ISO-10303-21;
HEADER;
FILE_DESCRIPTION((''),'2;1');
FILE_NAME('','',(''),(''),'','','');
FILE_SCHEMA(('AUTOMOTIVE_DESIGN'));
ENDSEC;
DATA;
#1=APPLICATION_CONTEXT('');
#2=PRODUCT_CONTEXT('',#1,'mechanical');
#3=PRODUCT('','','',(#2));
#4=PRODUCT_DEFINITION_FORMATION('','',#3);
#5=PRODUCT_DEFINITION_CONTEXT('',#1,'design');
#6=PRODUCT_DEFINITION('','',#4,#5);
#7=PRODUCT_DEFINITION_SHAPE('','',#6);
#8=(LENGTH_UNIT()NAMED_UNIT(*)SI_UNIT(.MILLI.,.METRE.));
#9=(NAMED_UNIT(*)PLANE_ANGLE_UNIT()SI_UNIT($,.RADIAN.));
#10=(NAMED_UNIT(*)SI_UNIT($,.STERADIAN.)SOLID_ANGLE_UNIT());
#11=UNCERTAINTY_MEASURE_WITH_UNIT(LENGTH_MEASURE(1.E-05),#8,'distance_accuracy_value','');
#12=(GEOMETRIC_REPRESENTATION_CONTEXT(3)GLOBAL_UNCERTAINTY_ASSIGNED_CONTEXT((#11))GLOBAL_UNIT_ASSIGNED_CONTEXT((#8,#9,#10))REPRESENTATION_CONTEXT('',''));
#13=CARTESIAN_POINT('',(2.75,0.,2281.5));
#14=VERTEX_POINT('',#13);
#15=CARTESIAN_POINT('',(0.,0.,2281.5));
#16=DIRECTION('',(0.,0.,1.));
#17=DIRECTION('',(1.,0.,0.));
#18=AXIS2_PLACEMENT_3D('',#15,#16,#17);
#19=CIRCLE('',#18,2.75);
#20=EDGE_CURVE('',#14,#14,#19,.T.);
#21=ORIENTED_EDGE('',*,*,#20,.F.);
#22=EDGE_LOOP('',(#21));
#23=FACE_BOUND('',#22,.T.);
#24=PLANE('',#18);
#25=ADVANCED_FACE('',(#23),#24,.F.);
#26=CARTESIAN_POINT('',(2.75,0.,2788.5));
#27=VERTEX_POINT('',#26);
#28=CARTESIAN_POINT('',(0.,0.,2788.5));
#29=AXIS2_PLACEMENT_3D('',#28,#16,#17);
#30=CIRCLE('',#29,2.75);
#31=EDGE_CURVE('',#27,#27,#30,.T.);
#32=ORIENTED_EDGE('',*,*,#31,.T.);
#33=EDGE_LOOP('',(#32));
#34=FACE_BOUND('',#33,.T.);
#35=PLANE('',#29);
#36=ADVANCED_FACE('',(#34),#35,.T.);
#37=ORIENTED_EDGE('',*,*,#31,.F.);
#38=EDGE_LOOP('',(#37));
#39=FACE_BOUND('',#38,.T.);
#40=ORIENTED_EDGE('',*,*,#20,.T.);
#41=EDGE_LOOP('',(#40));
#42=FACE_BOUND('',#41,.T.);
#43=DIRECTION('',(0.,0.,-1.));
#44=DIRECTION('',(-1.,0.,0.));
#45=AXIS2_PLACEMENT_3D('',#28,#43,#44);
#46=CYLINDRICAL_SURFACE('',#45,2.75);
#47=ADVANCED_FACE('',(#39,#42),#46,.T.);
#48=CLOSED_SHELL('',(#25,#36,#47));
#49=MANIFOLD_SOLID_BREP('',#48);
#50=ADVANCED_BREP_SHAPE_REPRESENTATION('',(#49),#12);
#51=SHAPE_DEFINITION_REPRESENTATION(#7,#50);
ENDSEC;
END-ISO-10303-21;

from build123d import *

# Parameters (mm, degrees)
SKETCH1_R           = 27.5
BOSS_EXTRUDE1_DEPTH = 5070
SCALE1_SCALE        = 0.1


with BuildPart() as part:
    # Sketch1 → Boss-Extrude1 (new body)
    with BuildSketch(Plane.XY):
        Circle(SKETCH1_R)
    extrude(amount=BOSS_EXTRUDE1_DEPTH)


with BuildPart() as part_1:
    # Scale1: scaled about (0, 0, 2535)
    add(part.part.scale(SCALE1_SCALE).moved(Location((0, 0, 2281.5))))


solid = part_1.part
